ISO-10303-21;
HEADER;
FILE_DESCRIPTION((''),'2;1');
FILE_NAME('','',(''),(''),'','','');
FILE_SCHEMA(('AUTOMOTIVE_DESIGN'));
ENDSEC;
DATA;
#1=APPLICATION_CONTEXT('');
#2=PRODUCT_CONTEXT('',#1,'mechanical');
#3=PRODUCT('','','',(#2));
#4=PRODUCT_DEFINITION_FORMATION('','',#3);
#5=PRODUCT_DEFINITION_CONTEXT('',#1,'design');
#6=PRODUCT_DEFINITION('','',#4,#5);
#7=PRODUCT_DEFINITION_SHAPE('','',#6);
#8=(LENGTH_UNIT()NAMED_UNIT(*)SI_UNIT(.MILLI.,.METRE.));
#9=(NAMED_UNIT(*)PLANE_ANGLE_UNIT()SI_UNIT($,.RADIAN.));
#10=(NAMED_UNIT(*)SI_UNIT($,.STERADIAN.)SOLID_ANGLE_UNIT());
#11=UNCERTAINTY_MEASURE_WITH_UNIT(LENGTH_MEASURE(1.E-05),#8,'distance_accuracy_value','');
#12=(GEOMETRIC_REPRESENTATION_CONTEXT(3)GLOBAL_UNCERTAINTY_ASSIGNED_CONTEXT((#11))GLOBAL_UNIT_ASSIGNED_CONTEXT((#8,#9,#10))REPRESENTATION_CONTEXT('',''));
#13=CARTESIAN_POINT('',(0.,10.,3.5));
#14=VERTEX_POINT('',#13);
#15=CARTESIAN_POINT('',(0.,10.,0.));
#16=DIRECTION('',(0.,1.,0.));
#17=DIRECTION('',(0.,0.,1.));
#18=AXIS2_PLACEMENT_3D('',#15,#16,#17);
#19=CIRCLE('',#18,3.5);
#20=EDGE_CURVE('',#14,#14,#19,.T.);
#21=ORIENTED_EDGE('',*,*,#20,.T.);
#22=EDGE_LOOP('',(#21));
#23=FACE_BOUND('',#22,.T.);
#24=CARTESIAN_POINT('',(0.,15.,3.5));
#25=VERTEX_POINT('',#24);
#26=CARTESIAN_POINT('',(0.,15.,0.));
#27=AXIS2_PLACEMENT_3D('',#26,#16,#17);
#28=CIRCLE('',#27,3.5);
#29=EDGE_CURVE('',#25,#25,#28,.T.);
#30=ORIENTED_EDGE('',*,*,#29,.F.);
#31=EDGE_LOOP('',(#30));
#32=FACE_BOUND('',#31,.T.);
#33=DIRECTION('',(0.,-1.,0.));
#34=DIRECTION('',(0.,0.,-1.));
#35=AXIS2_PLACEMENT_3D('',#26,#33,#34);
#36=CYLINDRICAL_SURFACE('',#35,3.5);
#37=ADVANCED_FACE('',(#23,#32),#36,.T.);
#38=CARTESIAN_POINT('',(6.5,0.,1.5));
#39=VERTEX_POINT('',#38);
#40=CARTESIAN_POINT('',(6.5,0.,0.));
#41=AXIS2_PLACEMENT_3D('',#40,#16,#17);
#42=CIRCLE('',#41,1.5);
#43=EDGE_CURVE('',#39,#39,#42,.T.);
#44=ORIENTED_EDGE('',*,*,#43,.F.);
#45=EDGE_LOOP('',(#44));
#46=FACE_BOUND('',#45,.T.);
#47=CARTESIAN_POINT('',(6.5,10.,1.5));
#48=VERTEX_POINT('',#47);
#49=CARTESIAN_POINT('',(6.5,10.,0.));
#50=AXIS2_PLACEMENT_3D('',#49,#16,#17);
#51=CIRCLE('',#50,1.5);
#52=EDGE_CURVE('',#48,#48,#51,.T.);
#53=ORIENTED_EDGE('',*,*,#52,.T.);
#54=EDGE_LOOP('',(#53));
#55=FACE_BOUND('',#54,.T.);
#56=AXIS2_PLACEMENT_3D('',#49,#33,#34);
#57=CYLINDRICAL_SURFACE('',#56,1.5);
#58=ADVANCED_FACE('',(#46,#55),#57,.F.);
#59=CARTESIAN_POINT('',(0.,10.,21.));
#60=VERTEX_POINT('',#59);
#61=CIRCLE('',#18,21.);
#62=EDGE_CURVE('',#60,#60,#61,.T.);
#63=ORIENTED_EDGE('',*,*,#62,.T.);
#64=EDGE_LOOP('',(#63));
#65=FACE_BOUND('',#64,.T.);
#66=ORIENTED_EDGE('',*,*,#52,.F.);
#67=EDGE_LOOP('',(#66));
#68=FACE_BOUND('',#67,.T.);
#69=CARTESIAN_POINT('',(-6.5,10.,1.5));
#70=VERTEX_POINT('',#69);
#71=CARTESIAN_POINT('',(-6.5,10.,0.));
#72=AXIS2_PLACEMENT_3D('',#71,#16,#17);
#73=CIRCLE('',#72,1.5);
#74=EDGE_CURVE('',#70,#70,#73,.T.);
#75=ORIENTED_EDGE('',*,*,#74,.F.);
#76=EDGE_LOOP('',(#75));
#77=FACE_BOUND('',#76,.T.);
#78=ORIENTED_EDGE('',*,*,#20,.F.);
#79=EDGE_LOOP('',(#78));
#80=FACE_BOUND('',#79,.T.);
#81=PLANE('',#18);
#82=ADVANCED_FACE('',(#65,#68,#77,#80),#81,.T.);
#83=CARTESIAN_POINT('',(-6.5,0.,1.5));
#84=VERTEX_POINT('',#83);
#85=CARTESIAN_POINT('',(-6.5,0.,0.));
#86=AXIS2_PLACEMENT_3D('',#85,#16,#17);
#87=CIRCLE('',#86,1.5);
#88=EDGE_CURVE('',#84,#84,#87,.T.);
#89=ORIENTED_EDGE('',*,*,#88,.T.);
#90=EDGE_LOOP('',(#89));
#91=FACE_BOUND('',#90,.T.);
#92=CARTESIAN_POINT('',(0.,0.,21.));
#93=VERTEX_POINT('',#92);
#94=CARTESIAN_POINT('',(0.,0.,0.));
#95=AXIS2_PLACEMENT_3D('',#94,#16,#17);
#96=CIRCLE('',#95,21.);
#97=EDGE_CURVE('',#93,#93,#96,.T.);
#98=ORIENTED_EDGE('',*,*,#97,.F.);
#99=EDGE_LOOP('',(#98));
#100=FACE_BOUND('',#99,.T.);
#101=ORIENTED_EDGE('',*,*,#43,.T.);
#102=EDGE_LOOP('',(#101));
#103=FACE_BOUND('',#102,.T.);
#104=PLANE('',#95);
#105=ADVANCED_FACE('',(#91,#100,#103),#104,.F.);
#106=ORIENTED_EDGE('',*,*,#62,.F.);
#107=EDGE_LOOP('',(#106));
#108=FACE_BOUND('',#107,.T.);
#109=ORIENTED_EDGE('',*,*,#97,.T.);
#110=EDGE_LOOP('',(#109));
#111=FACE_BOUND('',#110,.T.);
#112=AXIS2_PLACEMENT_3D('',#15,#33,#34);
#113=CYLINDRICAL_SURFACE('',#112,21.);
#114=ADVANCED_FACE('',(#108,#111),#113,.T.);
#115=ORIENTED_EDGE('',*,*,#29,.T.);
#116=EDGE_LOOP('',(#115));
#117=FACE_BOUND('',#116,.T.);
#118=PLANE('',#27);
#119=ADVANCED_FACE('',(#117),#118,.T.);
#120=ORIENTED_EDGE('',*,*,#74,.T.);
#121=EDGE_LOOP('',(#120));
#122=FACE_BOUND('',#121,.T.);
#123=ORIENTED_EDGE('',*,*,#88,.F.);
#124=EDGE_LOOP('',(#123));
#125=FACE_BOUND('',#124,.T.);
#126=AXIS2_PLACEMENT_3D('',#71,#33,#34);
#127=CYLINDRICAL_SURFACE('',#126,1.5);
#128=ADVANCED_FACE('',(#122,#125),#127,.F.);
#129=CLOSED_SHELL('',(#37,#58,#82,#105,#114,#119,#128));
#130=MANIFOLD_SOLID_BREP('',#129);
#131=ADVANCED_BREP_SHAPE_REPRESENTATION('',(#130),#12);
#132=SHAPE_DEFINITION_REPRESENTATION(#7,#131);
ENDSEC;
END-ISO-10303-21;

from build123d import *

# Parameters (mm, degrees)
SKETCH_1_R      = 21
SKETCH_1_R_2    = 1.5
EXTRUDE_1_DEPTH = 10
SKETCH_2_R      = 3.5
EXTRUDE_2_DEPTH = 5


with BuildPart() as part:
    # 草图1 → 凸台-拉伸1 (new body)
    with BuildSketch(Plane(origin=(0, 0, 0), x_dir=(1, 0, 0), z_dir=(0, 1, 0))):
        Circle(SKETCH_1_R)
        with Locations((-6.5, 0)):
            Circle(SKETCH_1_R_2, mode=Mode.SUBTRACT)
        with Locations((6.5, 0)):
            Circle(SKETCH_1_R_2, mode=Mode.SUBTRACT)
    extrude(amount=EXTRUDE_1_DEPTH)

    # 草图2 → 凸台-拉伸2 (add)
    with BuildSketch(Plane(origin=(0, 10, 0), x_dir=(1, 0, 0), z_dir=(0, 1, 0))):
        Circle(SKETCH_2_R)
    extrude(amount=EXTRUDE_2_DEPTH)


solid = part.part
